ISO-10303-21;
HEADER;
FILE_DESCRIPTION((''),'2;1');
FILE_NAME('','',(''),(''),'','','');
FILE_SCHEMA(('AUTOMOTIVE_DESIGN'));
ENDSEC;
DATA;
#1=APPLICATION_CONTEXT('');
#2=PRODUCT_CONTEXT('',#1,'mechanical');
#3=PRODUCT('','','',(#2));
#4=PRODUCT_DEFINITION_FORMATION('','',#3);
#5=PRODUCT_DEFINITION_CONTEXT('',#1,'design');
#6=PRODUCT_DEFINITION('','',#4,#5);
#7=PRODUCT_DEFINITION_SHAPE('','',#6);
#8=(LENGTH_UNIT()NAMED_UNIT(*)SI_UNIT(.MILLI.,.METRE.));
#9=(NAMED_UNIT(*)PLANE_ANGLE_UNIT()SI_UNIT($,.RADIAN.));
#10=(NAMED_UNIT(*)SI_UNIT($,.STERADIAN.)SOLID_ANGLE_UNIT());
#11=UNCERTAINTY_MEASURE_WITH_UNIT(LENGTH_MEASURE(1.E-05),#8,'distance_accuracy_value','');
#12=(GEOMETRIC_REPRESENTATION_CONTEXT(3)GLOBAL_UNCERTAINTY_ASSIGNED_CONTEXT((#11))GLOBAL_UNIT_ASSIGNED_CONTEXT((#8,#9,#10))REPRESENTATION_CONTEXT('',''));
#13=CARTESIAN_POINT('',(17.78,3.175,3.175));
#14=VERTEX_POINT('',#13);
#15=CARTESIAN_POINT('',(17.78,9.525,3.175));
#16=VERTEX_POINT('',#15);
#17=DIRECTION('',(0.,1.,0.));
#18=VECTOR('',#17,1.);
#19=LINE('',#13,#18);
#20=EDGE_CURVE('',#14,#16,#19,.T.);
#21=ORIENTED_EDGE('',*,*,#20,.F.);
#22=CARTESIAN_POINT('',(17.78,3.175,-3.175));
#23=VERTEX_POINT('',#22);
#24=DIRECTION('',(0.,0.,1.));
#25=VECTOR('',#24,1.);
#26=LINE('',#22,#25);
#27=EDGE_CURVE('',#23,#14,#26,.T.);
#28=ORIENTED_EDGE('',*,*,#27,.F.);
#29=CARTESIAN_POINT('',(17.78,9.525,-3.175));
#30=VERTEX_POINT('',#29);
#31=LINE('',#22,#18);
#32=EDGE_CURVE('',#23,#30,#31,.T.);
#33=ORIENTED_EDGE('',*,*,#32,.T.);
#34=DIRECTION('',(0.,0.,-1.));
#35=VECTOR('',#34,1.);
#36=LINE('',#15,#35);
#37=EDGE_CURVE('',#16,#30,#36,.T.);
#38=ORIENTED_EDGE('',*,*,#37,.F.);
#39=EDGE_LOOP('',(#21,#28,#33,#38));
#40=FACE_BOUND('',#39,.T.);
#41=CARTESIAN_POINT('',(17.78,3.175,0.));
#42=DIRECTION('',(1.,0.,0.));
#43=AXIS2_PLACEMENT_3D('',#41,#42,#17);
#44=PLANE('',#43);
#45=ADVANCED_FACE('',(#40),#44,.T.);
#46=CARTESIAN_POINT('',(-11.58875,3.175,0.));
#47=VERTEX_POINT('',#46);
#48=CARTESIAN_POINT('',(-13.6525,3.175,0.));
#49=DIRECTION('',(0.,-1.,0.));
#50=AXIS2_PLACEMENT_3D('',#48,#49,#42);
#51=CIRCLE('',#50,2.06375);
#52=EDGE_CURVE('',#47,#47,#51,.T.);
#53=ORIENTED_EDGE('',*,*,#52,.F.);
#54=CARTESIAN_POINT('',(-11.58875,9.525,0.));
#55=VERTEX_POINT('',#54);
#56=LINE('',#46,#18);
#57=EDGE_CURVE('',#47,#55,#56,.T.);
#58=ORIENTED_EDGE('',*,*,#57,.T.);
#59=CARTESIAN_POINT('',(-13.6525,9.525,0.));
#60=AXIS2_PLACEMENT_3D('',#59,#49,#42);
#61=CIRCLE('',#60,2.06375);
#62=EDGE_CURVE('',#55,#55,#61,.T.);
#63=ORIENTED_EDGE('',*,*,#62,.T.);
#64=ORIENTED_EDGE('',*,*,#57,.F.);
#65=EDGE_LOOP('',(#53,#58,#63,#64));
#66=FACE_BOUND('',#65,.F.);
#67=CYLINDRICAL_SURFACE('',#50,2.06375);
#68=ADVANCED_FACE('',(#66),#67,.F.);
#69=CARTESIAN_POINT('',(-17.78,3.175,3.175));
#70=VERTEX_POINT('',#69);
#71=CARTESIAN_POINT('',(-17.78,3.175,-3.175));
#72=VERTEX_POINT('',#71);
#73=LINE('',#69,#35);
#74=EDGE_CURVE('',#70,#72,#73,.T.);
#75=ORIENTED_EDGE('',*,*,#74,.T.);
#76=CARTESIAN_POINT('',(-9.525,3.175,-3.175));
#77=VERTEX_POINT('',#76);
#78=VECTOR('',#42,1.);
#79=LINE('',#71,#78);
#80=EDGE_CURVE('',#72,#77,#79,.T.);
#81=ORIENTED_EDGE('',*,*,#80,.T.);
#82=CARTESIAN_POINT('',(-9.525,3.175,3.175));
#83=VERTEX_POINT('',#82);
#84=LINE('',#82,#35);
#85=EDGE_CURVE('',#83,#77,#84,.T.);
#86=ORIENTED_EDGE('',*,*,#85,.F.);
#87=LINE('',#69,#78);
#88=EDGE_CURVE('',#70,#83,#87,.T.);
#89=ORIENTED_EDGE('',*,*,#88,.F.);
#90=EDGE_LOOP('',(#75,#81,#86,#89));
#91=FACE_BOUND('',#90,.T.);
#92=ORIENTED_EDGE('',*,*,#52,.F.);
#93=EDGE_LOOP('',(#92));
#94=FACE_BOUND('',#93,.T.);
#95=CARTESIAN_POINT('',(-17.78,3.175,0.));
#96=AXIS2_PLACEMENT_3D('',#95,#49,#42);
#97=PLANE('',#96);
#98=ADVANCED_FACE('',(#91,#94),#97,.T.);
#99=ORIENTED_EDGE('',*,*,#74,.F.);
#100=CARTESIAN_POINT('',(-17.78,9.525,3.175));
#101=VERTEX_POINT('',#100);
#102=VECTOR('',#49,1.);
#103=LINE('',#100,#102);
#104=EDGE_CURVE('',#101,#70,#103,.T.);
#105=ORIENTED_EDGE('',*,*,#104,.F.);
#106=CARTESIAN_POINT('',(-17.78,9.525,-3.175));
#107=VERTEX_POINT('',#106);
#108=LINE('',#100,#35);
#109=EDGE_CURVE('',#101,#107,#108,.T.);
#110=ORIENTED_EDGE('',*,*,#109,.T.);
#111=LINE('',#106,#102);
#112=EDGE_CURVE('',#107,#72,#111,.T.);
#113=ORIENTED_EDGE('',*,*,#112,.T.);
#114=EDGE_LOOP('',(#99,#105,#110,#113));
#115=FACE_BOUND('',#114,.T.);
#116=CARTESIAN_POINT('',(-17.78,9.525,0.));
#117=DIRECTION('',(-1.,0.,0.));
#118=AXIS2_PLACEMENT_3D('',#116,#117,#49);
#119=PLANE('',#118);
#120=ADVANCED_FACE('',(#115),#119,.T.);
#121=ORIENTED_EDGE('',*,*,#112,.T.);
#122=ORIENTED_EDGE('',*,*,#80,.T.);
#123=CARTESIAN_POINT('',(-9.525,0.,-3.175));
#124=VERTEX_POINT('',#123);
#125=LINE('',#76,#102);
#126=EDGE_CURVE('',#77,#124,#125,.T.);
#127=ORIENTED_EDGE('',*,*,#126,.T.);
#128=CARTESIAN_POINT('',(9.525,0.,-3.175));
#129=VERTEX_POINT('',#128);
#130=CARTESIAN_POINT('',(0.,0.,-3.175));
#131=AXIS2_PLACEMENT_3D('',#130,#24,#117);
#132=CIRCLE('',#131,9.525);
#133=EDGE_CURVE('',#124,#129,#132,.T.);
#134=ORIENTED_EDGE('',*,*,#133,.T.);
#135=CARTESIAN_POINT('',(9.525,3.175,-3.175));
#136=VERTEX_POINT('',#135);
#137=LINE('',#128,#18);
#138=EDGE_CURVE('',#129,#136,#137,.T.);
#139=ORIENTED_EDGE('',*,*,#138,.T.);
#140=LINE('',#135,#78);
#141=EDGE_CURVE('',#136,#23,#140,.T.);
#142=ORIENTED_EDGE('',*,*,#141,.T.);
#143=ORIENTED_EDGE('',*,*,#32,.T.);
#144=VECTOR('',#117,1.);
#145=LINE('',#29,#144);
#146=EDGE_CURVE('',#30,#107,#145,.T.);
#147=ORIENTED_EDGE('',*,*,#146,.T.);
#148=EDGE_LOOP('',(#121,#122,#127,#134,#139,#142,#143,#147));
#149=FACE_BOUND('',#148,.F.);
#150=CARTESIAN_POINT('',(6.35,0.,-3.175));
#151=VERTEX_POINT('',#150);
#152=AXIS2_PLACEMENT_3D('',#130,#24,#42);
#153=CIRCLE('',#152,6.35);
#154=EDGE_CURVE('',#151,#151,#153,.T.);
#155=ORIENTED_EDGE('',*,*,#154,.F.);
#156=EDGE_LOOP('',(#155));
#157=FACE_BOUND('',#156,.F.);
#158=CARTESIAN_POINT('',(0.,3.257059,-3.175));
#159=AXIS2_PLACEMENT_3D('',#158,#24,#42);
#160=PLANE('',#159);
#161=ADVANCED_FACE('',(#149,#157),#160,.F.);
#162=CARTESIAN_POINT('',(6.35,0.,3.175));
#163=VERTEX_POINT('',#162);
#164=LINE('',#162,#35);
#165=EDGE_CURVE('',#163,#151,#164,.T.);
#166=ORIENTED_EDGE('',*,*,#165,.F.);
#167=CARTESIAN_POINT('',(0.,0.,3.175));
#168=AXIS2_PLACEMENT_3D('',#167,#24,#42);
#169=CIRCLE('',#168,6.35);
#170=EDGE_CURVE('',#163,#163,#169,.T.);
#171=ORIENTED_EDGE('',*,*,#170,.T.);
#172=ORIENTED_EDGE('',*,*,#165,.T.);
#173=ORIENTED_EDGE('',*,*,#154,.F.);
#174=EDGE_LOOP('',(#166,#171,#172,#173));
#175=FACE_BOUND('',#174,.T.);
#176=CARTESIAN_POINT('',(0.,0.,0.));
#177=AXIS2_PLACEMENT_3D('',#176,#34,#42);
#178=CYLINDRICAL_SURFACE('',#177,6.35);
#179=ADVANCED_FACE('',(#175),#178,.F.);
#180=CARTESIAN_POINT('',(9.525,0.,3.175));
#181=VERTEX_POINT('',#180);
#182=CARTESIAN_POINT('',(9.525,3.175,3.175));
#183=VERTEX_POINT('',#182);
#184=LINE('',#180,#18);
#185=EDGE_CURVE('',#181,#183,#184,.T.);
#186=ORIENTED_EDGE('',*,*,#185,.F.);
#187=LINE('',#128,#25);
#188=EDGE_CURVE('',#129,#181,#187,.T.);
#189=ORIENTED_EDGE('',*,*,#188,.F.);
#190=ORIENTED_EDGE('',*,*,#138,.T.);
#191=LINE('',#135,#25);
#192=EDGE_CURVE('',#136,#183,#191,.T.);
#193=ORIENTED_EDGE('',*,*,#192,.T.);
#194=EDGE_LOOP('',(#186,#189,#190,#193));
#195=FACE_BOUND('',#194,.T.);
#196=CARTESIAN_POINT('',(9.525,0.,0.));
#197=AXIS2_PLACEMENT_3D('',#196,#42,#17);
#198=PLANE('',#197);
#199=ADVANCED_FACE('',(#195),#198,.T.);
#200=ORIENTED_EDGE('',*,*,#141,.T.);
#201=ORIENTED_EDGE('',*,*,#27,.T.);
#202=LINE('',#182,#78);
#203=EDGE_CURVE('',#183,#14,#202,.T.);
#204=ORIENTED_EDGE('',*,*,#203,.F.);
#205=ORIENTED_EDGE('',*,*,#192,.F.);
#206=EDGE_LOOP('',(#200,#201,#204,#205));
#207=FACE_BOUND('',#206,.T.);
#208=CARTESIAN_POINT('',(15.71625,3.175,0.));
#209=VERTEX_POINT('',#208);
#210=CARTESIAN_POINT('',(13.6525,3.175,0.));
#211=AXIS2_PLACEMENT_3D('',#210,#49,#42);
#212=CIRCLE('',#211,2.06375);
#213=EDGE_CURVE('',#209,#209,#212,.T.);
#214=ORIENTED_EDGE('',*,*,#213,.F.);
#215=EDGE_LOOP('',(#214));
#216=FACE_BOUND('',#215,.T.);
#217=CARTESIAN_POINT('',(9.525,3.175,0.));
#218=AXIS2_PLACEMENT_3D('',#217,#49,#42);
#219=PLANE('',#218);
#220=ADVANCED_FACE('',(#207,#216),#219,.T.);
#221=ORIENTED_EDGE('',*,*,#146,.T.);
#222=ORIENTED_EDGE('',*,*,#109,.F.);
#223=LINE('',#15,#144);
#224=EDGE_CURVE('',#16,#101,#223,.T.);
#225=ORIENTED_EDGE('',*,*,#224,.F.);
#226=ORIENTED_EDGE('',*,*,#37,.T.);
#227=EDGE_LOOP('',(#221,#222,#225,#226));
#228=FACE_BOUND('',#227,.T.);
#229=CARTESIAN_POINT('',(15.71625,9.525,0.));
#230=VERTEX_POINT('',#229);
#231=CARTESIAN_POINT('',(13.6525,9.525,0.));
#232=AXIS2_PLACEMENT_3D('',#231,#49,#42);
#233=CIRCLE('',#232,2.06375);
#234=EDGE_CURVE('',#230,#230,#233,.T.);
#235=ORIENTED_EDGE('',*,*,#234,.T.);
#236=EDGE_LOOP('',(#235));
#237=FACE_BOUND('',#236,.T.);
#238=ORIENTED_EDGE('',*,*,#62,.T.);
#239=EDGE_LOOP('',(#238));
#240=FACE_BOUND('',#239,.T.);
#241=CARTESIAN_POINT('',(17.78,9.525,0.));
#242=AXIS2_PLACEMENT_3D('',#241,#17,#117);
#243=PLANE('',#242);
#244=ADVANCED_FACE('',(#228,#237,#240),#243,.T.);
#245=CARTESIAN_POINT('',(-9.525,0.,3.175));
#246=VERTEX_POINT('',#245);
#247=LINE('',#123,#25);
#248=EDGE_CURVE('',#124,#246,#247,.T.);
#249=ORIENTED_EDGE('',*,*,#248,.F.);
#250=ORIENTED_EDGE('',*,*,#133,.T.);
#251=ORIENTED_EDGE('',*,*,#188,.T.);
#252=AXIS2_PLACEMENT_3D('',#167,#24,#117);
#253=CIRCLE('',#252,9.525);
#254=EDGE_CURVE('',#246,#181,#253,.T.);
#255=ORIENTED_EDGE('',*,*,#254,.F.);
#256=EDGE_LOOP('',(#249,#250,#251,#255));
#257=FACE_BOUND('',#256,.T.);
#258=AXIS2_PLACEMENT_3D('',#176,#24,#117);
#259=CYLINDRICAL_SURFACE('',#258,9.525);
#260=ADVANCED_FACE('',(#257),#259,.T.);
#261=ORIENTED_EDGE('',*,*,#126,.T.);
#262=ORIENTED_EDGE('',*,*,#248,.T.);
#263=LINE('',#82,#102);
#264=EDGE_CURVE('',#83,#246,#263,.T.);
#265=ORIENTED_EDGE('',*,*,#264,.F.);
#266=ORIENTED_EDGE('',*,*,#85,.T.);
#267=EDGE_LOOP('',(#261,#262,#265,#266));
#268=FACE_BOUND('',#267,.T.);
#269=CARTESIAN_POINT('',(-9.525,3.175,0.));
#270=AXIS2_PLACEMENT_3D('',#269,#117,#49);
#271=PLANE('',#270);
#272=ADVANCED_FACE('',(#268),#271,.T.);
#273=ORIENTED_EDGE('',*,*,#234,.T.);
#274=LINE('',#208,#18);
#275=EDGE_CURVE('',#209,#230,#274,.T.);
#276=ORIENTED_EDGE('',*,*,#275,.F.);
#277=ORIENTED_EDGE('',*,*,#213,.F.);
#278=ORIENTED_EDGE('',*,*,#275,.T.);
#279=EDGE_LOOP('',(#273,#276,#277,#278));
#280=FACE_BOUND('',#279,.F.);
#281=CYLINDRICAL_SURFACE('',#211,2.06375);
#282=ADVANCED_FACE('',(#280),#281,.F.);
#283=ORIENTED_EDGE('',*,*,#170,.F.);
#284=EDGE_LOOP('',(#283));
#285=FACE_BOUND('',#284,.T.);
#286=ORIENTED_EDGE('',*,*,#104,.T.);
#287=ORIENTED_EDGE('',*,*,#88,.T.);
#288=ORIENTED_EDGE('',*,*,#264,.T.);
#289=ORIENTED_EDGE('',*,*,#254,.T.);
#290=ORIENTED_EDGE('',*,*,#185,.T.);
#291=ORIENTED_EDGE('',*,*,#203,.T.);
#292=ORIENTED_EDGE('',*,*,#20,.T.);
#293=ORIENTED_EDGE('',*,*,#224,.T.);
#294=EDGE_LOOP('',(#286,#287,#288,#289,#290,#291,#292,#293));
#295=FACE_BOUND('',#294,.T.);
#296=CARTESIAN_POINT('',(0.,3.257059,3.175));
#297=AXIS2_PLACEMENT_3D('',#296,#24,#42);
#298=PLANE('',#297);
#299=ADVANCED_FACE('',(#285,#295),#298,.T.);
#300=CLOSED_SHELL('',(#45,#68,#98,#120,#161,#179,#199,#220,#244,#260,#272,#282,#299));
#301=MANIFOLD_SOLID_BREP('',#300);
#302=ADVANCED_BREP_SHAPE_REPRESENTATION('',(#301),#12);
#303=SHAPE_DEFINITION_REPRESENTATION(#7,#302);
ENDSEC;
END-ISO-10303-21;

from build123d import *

# Parameters (mm, degrees)
F0_R     = 6.35
F1_DEPTH = 3.175
F2_R     = 2.06375
F3_DEPTH = 6.351
F4_R     = 2.06375
F5_DEPTH = 6.351


with BuildPart() as f1:
    # F0 (on Top) → F1 (new body, symmetric)
    with BuildSketch(Plane.XY):
        with BuildLine():
            Line((-9.525, 3.175), (-9.525, 0))
            ThreePointArc((-9.525, 0), (0, -9.525), (9.525, 0))
            Line((9.525, 0), (9.525, 3.175))
            Line((9.525, 3.175), (17.78, 3.175))
            Line((17.78, 3.175), (17.78, 9.525))
            Line((17.78, 9.525), (-17.78, 9.525))
            Line((-17.78, 9.525), (-17.78, 3.175))
            Line((-17.78, 3.175), (-9.525, 3.175))
        make_face()
        Circle(F0_R, mode=Mode.SUBTRACT)
    extrude(amount=F1_DEPTH, both=True)

    # F2 (on face) → F3 (cut, through all)
    with BuildSketch(Plane.XZ.offset(-3.175)):
        with Locations((-13.6525, 0)):
            Circle(F2_R)
    extrude(amount=-F3_DEPTH, mode=Mode.SUBTRACT)

    # F4 (on face) → F5 (cut, through all)
    with BuildSketch(Plane.XZ.offset(-3.175)):
        with Locations((13.6525, 0)):
            Circle(F4_R)
    extrude(amount=-F5_DEPTH, mode=Mode.SUBTRACT)


solid = f1.part
